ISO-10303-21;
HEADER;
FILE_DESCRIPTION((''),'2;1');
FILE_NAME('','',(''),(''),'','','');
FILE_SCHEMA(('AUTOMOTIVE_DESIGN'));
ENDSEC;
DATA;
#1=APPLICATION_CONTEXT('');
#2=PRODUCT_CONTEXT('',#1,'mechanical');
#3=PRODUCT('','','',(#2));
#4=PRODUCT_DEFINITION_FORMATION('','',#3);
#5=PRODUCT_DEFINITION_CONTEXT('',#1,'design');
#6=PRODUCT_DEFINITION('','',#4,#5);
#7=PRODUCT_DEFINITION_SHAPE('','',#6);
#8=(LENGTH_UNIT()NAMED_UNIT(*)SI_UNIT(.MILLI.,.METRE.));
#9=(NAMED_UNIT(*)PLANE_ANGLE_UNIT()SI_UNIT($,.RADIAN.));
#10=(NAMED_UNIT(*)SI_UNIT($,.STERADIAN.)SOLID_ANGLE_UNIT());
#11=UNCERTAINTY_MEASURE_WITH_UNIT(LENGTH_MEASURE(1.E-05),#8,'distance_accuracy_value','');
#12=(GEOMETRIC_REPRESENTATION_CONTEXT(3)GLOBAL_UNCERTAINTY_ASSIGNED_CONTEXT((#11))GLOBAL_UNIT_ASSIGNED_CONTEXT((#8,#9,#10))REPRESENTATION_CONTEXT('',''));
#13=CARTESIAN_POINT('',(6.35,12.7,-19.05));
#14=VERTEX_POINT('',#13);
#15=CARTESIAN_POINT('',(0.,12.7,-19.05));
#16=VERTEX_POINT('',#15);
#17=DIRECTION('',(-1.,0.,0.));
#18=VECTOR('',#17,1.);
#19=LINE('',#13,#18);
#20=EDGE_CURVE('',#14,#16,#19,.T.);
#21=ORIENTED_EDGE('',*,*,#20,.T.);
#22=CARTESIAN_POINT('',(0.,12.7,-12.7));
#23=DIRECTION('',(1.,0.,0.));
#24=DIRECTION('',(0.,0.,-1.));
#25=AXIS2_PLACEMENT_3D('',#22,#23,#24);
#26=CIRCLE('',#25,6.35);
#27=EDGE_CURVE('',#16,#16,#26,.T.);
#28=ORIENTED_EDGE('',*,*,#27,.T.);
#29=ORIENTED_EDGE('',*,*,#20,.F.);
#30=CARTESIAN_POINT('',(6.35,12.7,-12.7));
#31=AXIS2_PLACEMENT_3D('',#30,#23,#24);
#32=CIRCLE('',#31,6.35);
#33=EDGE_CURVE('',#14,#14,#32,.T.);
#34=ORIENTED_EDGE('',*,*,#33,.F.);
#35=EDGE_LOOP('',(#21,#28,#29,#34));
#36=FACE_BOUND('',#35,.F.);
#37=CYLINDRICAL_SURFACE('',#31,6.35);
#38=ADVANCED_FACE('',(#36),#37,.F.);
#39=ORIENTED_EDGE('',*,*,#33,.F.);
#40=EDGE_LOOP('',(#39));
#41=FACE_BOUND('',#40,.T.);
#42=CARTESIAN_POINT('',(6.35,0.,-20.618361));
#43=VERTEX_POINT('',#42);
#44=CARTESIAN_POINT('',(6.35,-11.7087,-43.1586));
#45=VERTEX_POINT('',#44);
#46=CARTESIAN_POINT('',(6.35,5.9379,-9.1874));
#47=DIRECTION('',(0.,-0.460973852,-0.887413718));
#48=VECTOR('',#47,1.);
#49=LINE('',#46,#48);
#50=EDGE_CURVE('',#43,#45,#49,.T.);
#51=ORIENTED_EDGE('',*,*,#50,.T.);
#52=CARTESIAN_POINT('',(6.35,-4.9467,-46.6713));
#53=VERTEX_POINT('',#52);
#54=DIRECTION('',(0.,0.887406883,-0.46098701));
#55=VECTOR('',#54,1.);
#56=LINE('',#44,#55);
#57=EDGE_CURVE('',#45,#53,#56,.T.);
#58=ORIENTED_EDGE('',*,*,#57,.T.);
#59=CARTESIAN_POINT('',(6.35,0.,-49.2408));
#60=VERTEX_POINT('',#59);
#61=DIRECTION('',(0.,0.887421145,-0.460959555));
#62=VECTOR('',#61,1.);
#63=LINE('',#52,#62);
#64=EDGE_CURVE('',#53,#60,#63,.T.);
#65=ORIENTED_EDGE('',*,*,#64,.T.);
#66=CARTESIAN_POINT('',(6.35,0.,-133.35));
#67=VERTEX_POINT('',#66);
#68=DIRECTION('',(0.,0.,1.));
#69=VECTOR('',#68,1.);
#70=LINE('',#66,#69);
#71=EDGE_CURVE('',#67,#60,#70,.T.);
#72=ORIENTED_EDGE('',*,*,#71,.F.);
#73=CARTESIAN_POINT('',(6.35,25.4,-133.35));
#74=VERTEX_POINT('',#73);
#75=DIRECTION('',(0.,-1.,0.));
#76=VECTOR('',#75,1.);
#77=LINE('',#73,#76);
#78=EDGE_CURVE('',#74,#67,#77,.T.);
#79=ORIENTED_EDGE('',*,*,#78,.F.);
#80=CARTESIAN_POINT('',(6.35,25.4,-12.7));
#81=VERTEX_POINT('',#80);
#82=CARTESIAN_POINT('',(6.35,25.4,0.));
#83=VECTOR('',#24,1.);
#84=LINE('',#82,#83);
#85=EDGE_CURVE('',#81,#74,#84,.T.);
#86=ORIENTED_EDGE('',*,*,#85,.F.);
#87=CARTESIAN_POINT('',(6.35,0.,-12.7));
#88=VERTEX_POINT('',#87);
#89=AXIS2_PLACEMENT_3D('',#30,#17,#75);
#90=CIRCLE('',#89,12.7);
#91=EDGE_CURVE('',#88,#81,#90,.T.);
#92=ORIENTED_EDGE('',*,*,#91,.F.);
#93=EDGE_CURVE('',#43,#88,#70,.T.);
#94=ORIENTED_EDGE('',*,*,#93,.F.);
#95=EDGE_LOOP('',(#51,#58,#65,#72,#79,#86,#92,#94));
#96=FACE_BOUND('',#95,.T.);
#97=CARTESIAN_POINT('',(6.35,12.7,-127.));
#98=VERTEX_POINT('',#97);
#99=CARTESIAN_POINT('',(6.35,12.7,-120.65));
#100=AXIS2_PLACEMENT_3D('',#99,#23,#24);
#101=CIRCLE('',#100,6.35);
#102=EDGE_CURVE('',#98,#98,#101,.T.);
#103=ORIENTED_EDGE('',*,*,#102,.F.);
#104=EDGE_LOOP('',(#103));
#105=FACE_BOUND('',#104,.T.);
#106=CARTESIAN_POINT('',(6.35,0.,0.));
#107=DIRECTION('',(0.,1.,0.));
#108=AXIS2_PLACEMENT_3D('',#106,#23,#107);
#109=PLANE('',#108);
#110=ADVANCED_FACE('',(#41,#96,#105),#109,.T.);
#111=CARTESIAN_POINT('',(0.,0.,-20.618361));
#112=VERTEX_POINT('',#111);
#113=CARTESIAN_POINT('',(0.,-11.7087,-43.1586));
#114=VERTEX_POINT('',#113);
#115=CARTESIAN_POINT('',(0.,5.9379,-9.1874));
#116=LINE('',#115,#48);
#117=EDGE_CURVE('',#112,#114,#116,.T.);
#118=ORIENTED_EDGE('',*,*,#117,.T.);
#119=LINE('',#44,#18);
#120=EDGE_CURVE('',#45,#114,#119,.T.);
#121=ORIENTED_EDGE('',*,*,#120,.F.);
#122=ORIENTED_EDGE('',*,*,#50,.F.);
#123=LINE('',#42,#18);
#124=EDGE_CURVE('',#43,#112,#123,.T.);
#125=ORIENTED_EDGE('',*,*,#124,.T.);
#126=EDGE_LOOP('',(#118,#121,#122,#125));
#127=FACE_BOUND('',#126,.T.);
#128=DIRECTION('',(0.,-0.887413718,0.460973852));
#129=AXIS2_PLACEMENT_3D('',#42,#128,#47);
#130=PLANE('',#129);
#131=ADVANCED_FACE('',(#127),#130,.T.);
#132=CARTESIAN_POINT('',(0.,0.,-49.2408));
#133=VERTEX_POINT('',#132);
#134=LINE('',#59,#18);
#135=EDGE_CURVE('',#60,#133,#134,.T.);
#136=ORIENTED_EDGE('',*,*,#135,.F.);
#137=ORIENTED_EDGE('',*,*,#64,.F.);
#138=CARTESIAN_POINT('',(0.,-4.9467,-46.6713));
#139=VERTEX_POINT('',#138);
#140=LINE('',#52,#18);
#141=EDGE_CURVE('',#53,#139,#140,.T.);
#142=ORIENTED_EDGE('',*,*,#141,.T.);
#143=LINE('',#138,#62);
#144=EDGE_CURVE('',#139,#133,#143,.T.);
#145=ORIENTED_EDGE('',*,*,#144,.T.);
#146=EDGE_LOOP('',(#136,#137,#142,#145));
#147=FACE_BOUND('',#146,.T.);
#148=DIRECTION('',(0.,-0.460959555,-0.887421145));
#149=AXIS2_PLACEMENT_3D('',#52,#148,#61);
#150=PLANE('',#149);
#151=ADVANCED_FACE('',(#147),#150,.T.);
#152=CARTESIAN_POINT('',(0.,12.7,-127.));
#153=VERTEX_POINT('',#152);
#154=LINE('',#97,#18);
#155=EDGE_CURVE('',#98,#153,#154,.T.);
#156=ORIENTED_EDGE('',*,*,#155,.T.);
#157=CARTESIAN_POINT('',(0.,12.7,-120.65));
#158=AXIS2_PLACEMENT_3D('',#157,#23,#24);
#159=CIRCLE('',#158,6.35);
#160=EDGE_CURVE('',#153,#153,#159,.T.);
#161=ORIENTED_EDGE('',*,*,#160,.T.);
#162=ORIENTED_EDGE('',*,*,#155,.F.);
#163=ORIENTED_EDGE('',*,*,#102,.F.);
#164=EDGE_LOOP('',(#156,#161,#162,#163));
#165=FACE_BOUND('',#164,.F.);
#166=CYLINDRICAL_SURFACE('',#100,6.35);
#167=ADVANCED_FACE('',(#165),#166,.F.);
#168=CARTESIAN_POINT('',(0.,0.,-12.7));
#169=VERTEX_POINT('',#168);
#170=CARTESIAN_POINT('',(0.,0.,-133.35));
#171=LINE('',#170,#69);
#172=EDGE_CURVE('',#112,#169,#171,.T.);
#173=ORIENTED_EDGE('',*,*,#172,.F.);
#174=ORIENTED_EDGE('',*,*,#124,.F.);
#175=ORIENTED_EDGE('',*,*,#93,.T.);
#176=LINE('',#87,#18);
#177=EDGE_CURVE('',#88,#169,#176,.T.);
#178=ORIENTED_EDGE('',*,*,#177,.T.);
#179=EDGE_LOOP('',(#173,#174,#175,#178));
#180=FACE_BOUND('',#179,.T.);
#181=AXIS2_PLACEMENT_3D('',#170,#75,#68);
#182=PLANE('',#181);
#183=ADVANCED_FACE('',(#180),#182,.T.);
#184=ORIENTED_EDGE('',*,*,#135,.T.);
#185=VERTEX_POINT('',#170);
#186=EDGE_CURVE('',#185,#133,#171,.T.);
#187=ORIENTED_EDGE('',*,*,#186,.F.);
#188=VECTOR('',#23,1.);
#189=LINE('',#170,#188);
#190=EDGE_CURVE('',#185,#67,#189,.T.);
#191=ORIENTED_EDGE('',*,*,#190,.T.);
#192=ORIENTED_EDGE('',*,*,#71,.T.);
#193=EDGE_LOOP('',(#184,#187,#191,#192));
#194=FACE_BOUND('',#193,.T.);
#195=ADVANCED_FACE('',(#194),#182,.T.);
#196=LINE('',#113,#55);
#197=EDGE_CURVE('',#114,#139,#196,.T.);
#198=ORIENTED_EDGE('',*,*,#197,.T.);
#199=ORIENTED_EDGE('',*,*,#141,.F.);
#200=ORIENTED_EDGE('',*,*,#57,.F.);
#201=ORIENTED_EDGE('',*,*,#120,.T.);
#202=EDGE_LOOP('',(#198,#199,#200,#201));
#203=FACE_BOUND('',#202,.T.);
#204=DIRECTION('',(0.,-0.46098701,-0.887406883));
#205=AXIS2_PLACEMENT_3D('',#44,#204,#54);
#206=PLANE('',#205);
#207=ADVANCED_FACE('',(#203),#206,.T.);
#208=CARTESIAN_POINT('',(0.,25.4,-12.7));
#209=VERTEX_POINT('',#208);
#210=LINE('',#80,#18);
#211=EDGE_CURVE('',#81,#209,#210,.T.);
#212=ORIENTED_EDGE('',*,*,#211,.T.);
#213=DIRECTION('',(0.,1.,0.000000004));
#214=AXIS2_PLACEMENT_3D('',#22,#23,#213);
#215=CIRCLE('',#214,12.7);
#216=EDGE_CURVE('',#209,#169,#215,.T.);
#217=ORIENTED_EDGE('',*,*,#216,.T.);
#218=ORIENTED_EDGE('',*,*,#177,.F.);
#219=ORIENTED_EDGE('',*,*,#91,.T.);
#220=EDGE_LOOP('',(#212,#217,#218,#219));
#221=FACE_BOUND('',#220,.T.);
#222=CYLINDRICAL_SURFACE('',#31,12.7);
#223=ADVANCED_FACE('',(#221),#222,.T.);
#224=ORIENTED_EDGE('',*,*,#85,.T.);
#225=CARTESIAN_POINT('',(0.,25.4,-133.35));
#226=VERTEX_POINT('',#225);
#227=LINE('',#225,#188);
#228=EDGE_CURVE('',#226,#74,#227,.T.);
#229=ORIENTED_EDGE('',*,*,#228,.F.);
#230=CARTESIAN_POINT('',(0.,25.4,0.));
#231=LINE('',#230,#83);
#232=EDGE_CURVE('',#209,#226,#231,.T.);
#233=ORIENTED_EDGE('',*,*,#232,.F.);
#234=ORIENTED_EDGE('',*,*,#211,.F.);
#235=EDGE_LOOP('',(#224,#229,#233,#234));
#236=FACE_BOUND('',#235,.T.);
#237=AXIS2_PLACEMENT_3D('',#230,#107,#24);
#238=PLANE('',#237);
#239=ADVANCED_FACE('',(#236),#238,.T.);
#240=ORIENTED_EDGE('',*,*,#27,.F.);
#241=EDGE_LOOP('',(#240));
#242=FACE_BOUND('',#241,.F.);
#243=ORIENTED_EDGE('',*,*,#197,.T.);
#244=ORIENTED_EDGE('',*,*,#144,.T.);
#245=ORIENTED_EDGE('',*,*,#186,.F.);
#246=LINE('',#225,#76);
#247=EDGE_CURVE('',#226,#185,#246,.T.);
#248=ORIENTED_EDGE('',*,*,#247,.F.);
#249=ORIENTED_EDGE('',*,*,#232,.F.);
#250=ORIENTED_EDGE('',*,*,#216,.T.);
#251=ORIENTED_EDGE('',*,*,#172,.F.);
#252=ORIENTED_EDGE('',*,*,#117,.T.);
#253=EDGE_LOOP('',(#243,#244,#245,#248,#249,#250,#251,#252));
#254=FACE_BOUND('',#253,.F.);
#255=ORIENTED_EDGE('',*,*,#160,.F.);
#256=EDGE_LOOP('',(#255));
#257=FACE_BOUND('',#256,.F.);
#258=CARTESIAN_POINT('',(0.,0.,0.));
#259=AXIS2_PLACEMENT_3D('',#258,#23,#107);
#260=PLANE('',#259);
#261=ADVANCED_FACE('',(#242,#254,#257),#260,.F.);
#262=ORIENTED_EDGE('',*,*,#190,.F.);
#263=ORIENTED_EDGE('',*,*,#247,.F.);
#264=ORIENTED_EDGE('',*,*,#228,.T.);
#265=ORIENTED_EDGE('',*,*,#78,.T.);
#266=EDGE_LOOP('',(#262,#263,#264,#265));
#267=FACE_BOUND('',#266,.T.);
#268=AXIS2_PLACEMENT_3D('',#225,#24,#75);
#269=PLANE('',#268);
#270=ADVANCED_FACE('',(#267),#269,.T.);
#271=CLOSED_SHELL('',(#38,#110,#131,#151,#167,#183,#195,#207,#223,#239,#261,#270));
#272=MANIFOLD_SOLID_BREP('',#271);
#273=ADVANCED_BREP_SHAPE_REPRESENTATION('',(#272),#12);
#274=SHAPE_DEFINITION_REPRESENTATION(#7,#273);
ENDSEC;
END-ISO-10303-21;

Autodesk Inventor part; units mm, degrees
ref_plane "YZ Plane" through (0, 0, 0) normal (1, 0, 0) x (0, 1, 0)
ref_plane "XZ Plane" through (0, 0, 0) normal (0, 1, 0) x (-1, 0, 0)
ref_plane "XY Plane" through (0, 0, 0) normal (0, 0, 1) x (1, 0, 0)
sketch "Sketch1" plane through (0, 0, 0) normal (1, 0, 0) x (0, 1, 0)
  line L0 (0, 0) -> (25.4, 0)
  line L1 (25.4, 0) -> (25.4, -133.35)
  line L2 (25.4, -133.35) -> (0, -133.35)
  line L3 (0, -133.35) -> (0, 0)
  dimension "d0" = 25.4
  dimension "d1" = 133.35
extrude "Extrusion1" add sketch "Sketch1" along normal blind 6.35
sketch "Sketch2" plane through (6.35, 0, 0) normal (1, 0, 0) x (0, 0, -1)
  line L0 (133.35, 0) -> (133.35, 25.4) projected
  line L1 (133.35, 25.4) -> (0, 25.4) projected
  line L2 (0, 25.4) -> (0, 0) projected
  line L3 (0, 0) -> (133.35, 0) projected
  circle A0 centre (12.7, 12.7) radius 6.35
  circle A1 centre (120.65, 12.7) radius 6.35
  dimension "d4" = 25.4
  dimension "d5" = 12.7
  dimension "d6" = 12.7
  dimension "d7" = 107.95
  dimension "d8" = 133.35
  dimension "d9" = 12.7
  dimension "d10" = 12.7
  dimension "d11" = 12.7
extrude "Extrusion2" cut sketch "Sketch2" against normal blind 6.35 contours A0 | A1
sketch "Sketch3" plane through (6.35, 0, 0) normal (1, 0, 0) x (0, 0, -1)
  circle A0 centre (12.7, 12.7) radius 6.35 projected
  circle A1 centre (12.7, 12.7) radius 12.7
  line L0 (133.35, 25.4) -> (0, 25.4) projected
  line L1 (0, 25.4) -> (0, 0) projected
  line L2 (0, 0) -> (133.35, 0) projected
  point P0 (12.7, 0)
  point P1 (0, 12.7)
  point P2 (12.7, 25.4)
extrude "Extrusion3" cut sketch "Sketch3" against normal blind 6.35 contours A1 L1 L0 | L2 L1 A1
sketch "Sketch4" plane through (6.35, 0, 0) normal (1, 0, 0) x (0, 0, -1)
  circle A0 centre (12.7, 12.7) radius 6.35 projected
  line L0 (120.65, 12.7) -> (12.7, 12.7)
  circle A1 centre (120.65, 12.7) radius 6.35 projected
  line L1 (12.7, 12.7) -> (120.65, -43.3755)
  line L2 (120.65, -43.3755) -> (120.65, 12.7)
  line L3 (12.7, 12.7) -> (9.1874, 5.9379)
  line L4 (9.1874, 5.9379) -> (43.1586, -11.7087)
  line L5 (43.1586, -11.7087) -> (46.6713, -4.9467)
  line L6 (12.7, 0) -> (133.35, 0) projected
  line L7 (46.6713, -4.9467) -> (49.2408, 0)
  point P0 (0, 0)
  point P1 (20.6183, 0)
  dimension "d16" = 27.45
  dimension "d19" = 25.4
  dimension "d22" = 7.62
extrude "Extrusion4" add sketch "Sketch4" against normal blind 6.35 contours L6 L7 L1 | L1 L5 L4 L6
equation "\"d5\" = 0.5 * d4"
equation "\"d6\" = d5"
equation "\"d9\" = -0.5 * d7 + 0.5 * d8"
properties part number "IntakeBraket"
